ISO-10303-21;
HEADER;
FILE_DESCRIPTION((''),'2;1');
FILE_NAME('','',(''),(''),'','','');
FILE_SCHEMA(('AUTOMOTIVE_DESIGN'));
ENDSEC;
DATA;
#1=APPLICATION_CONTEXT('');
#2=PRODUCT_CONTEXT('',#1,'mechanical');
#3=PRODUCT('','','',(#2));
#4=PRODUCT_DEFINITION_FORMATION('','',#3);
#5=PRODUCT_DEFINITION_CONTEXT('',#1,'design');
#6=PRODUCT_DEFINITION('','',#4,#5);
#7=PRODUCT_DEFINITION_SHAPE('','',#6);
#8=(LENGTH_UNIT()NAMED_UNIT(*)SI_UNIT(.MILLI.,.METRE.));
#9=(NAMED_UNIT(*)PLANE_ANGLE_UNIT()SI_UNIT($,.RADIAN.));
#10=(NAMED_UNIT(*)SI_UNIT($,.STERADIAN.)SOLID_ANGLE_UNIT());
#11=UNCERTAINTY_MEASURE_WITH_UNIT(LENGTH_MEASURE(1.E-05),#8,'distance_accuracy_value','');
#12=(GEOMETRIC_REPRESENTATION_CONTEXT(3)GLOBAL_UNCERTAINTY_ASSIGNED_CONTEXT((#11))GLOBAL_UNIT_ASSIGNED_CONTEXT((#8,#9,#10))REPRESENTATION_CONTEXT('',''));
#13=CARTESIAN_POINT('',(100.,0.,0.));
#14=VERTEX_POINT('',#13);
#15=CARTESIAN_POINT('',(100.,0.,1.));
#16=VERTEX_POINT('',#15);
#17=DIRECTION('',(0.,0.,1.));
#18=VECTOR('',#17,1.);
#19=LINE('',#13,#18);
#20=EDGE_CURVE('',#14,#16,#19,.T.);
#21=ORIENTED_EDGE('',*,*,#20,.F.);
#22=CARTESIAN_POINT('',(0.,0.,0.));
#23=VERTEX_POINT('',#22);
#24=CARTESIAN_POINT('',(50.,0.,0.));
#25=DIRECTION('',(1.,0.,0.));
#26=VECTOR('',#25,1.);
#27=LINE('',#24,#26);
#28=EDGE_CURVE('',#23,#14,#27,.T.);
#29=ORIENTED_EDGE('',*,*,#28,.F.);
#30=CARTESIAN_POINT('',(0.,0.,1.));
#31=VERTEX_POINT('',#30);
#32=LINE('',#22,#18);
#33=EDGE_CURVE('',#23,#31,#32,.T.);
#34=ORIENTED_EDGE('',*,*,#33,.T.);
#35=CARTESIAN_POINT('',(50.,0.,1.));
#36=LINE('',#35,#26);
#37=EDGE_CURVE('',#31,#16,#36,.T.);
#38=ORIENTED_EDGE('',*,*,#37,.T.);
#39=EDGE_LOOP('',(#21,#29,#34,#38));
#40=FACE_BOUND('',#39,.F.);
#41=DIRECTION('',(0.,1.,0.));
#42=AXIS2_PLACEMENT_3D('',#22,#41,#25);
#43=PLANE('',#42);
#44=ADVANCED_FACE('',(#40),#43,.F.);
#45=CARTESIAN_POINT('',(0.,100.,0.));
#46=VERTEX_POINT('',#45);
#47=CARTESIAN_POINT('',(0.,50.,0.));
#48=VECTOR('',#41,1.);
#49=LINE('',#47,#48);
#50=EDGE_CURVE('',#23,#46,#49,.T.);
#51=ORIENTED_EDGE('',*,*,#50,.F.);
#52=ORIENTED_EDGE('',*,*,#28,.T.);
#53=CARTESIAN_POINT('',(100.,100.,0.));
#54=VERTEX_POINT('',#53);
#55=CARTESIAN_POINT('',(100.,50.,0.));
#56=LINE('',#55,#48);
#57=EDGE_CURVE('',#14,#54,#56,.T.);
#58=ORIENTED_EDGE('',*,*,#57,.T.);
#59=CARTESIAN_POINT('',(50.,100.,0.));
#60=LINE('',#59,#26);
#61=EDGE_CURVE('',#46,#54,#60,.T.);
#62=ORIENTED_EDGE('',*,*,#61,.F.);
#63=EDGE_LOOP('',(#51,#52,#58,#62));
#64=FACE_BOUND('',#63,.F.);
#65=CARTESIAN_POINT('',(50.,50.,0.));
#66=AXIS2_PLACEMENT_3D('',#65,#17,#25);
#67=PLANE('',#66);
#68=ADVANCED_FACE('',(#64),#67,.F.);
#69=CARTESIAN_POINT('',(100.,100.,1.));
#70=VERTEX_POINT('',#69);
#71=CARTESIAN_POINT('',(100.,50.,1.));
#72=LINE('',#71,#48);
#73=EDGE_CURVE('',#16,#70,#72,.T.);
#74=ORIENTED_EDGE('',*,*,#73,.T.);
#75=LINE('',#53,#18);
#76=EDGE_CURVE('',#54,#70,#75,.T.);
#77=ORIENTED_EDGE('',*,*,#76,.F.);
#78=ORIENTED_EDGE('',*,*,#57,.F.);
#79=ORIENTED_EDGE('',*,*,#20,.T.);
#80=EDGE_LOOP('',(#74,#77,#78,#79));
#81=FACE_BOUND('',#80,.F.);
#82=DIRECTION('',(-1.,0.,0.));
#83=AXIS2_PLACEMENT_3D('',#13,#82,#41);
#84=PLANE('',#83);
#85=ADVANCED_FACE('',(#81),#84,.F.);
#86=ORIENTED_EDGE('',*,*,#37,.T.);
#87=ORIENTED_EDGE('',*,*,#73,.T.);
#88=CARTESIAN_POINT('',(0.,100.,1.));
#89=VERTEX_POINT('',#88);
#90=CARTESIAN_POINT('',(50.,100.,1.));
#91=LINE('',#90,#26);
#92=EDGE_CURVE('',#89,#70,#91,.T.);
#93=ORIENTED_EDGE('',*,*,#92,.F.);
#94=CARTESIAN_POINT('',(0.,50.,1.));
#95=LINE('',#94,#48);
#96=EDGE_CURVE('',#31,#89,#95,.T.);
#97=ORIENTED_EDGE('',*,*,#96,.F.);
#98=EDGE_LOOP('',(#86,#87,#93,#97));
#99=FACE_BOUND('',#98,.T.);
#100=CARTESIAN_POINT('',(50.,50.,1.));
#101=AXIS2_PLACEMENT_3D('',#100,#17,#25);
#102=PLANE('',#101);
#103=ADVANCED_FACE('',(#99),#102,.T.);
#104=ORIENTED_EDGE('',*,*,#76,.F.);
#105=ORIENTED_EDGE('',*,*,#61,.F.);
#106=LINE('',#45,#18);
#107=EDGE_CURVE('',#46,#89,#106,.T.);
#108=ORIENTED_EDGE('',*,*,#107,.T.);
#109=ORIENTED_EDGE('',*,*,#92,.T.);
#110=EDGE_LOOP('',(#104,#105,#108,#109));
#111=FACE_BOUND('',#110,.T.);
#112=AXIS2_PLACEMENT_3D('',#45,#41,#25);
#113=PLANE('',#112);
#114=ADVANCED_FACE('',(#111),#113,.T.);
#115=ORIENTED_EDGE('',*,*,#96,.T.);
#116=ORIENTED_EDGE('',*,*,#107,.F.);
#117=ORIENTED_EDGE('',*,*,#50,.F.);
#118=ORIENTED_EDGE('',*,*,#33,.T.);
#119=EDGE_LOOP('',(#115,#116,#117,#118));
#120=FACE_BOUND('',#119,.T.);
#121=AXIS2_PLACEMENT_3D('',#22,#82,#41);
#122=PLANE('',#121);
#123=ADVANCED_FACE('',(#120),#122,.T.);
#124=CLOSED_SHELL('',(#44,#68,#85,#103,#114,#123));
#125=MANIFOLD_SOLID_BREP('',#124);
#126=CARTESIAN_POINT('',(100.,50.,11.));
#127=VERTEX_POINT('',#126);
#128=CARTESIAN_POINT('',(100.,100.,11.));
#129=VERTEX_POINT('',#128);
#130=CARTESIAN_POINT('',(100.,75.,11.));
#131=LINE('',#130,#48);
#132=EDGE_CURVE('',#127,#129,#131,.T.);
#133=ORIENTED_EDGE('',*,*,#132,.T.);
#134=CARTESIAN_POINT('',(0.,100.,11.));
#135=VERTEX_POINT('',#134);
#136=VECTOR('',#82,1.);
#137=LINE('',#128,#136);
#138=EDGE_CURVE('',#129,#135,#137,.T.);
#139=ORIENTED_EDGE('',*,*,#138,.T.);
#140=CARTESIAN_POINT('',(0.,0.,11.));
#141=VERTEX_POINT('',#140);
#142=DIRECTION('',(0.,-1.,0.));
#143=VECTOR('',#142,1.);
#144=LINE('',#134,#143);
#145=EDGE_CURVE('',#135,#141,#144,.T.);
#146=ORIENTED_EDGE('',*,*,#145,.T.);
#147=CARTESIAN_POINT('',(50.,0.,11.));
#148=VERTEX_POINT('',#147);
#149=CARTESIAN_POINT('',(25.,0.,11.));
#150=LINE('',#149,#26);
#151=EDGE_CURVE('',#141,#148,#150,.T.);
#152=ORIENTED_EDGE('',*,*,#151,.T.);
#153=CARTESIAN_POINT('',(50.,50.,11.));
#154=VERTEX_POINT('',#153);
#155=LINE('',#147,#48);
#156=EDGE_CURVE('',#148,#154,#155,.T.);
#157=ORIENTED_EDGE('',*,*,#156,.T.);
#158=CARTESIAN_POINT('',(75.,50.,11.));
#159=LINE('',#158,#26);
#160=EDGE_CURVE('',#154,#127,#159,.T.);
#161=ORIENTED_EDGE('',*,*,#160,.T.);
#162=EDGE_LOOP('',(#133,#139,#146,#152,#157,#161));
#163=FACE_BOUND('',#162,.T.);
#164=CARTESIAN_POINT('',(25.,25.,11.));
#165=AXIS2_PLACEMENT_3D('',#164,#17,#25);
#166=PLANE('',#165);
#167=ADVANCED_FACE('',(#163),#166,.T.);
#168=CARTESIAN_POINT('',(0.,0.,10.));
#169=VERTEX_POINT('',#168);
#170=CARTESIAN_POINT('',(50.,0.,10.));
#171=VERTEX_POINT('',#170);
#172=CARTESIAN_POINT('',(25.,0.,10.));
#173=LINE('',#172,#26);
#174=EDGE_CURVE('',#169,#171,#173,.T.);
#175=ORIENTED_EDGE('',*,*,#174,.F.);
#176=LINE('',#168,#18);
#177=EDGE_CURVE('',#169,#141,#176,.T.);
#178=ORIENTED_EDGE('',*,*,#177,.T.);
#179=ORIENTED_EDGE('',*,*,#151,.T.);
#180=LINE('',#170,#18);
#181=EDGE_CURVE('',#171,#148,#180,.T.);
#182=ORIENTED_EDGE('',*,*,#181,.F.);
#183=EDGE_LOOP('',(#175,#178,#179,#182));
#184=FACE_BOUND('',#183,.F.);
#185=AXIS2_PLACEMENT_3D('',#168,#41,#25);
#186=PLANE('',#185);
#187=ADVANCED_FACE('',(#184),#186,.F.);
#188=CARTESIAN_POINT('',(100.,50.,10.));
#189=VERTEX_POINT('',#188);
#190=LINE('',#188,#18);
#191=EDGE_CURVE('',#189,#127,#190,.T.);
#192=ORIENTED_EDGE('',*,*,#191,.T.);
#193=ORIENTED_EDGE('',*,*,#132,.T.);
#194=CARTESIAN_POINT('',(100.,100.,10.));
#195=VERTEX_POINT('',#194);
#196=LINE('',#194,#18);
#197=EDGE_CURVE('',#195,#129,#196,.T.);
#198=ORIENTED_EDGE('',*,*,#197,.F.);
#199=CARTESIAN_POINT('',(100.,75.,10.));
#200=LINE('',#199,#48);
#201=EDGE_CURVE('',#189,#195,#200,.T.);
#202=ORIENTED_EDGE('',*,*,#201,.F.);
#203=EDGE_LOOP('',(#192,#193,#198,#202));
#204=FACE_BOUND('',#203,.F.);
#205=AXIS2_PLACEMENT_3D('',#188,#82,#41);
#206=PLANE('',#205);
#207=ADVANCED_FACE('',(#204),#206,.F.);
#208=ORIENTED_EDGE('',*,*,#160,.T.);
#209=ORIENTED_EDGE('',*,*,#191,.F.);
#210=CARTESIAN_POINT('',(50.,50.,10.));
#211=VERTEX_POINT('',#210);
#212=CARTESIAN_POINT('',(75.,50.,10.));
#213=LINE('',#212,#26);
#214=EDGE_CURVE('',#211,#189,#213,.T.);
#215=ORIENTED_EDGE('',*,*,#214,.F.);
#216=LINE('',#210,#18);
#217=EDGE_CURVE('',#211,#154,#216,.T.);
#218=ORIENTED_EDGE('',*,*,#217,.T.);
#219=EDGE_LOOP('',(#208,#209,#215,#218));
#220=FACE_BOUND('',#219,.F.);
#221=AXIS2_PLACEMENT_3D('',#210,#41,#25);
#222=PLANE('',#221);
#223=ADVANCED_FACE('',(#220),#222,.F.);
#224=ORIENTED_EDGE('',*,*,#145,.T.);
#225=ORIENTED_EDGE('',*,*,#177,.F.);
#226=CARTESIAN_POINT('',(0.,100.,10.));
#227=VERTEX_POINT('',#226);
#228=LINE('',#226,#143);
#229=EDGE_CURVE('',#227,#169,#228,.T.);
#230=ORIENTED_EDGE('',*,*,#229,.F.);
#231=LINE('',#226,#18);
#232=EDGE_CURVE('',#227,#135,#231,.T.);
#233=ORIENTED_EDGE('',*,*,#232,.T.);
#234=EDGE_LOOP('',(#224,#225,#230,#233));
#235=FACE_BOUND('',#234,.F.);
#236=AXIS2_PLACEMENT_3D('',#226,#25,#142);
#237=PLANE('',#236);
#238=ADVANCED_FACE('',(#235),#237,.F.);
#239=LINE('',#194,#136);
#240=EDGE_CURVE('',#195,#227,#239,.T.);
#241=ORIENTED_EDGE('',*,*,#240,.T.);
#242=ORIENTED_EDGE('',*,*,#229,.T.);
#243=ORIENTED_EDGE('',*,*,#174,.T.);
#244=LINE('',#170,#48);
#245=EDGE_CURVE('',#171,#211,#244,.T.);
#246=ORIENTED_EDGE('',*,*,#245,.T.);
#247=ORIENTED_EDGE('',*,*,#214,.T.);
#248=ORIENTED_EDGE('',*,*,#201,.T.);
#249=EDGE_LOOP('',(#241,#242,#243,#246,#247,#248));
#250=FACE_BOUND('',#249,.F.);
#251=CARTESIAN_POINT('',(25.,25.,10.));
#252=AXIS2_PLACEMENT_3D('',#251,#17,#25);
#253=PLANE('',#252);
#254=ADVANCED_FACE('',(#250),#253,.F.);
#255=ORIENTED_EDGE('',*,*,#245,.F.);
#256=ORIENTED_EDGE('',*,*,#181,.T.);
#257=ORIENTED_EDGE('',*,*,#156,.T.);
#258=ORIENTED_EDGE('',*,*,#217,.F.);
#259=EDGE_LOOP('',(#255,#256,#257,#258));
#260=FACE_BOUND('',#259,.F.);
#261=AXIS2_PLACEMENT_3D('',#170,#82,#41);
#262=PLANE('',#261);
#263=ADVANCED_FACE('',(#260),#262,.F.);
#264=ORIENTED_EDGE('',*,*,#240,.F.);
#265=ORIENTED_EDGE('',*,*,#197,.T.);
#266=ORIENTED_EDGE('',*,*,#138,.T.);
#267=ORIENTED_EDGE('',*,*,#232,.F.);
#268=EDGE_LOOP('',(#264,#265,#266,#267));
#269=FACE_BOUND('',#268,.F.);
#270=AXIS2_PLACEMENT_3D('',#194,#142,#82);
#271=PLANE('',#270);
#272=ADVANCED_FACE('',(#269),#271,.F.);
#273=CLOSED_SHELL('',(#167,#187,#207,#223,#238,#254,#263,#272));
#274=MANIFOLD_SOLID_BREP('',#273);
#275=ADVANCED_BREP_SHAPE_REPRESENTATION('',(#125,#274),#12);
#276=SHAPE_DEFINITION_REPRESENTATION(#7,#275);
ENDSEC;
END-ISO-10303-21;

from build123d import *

# Parameters (mm, degrees)
F0_W     = 100
F0_H     = 100
F1_DEPTH = 1
F3_W     = 50
F3_H     = 50
F4_DEPTH = 1


with BuildPart() as f1:
    # F0 (on Top) → F1 (new body)
    with BuildSketch(Plane.XY):
        with Locations((50, 50)):
            Rectangle(F0_W, F0_H)
    extrude(amount=F1_DEPTH)


with BuildPart() as f4:
    # F3 (on offset) → F4 (new body)
    with BuildSketch(Plane.XY.offset(10)):
        with Locations((25, 25)):
            Rectangle(F3_W, F3_H)
        with Locations((25, 75)):
            Rectangle(F3_W, F3_H)
        with Locations((75, 75)):
            Rectangle(F3_W, F3_H)
    extrude(amount=F4_DEPTH)


solid = Compound([f1.part, f4.part])
